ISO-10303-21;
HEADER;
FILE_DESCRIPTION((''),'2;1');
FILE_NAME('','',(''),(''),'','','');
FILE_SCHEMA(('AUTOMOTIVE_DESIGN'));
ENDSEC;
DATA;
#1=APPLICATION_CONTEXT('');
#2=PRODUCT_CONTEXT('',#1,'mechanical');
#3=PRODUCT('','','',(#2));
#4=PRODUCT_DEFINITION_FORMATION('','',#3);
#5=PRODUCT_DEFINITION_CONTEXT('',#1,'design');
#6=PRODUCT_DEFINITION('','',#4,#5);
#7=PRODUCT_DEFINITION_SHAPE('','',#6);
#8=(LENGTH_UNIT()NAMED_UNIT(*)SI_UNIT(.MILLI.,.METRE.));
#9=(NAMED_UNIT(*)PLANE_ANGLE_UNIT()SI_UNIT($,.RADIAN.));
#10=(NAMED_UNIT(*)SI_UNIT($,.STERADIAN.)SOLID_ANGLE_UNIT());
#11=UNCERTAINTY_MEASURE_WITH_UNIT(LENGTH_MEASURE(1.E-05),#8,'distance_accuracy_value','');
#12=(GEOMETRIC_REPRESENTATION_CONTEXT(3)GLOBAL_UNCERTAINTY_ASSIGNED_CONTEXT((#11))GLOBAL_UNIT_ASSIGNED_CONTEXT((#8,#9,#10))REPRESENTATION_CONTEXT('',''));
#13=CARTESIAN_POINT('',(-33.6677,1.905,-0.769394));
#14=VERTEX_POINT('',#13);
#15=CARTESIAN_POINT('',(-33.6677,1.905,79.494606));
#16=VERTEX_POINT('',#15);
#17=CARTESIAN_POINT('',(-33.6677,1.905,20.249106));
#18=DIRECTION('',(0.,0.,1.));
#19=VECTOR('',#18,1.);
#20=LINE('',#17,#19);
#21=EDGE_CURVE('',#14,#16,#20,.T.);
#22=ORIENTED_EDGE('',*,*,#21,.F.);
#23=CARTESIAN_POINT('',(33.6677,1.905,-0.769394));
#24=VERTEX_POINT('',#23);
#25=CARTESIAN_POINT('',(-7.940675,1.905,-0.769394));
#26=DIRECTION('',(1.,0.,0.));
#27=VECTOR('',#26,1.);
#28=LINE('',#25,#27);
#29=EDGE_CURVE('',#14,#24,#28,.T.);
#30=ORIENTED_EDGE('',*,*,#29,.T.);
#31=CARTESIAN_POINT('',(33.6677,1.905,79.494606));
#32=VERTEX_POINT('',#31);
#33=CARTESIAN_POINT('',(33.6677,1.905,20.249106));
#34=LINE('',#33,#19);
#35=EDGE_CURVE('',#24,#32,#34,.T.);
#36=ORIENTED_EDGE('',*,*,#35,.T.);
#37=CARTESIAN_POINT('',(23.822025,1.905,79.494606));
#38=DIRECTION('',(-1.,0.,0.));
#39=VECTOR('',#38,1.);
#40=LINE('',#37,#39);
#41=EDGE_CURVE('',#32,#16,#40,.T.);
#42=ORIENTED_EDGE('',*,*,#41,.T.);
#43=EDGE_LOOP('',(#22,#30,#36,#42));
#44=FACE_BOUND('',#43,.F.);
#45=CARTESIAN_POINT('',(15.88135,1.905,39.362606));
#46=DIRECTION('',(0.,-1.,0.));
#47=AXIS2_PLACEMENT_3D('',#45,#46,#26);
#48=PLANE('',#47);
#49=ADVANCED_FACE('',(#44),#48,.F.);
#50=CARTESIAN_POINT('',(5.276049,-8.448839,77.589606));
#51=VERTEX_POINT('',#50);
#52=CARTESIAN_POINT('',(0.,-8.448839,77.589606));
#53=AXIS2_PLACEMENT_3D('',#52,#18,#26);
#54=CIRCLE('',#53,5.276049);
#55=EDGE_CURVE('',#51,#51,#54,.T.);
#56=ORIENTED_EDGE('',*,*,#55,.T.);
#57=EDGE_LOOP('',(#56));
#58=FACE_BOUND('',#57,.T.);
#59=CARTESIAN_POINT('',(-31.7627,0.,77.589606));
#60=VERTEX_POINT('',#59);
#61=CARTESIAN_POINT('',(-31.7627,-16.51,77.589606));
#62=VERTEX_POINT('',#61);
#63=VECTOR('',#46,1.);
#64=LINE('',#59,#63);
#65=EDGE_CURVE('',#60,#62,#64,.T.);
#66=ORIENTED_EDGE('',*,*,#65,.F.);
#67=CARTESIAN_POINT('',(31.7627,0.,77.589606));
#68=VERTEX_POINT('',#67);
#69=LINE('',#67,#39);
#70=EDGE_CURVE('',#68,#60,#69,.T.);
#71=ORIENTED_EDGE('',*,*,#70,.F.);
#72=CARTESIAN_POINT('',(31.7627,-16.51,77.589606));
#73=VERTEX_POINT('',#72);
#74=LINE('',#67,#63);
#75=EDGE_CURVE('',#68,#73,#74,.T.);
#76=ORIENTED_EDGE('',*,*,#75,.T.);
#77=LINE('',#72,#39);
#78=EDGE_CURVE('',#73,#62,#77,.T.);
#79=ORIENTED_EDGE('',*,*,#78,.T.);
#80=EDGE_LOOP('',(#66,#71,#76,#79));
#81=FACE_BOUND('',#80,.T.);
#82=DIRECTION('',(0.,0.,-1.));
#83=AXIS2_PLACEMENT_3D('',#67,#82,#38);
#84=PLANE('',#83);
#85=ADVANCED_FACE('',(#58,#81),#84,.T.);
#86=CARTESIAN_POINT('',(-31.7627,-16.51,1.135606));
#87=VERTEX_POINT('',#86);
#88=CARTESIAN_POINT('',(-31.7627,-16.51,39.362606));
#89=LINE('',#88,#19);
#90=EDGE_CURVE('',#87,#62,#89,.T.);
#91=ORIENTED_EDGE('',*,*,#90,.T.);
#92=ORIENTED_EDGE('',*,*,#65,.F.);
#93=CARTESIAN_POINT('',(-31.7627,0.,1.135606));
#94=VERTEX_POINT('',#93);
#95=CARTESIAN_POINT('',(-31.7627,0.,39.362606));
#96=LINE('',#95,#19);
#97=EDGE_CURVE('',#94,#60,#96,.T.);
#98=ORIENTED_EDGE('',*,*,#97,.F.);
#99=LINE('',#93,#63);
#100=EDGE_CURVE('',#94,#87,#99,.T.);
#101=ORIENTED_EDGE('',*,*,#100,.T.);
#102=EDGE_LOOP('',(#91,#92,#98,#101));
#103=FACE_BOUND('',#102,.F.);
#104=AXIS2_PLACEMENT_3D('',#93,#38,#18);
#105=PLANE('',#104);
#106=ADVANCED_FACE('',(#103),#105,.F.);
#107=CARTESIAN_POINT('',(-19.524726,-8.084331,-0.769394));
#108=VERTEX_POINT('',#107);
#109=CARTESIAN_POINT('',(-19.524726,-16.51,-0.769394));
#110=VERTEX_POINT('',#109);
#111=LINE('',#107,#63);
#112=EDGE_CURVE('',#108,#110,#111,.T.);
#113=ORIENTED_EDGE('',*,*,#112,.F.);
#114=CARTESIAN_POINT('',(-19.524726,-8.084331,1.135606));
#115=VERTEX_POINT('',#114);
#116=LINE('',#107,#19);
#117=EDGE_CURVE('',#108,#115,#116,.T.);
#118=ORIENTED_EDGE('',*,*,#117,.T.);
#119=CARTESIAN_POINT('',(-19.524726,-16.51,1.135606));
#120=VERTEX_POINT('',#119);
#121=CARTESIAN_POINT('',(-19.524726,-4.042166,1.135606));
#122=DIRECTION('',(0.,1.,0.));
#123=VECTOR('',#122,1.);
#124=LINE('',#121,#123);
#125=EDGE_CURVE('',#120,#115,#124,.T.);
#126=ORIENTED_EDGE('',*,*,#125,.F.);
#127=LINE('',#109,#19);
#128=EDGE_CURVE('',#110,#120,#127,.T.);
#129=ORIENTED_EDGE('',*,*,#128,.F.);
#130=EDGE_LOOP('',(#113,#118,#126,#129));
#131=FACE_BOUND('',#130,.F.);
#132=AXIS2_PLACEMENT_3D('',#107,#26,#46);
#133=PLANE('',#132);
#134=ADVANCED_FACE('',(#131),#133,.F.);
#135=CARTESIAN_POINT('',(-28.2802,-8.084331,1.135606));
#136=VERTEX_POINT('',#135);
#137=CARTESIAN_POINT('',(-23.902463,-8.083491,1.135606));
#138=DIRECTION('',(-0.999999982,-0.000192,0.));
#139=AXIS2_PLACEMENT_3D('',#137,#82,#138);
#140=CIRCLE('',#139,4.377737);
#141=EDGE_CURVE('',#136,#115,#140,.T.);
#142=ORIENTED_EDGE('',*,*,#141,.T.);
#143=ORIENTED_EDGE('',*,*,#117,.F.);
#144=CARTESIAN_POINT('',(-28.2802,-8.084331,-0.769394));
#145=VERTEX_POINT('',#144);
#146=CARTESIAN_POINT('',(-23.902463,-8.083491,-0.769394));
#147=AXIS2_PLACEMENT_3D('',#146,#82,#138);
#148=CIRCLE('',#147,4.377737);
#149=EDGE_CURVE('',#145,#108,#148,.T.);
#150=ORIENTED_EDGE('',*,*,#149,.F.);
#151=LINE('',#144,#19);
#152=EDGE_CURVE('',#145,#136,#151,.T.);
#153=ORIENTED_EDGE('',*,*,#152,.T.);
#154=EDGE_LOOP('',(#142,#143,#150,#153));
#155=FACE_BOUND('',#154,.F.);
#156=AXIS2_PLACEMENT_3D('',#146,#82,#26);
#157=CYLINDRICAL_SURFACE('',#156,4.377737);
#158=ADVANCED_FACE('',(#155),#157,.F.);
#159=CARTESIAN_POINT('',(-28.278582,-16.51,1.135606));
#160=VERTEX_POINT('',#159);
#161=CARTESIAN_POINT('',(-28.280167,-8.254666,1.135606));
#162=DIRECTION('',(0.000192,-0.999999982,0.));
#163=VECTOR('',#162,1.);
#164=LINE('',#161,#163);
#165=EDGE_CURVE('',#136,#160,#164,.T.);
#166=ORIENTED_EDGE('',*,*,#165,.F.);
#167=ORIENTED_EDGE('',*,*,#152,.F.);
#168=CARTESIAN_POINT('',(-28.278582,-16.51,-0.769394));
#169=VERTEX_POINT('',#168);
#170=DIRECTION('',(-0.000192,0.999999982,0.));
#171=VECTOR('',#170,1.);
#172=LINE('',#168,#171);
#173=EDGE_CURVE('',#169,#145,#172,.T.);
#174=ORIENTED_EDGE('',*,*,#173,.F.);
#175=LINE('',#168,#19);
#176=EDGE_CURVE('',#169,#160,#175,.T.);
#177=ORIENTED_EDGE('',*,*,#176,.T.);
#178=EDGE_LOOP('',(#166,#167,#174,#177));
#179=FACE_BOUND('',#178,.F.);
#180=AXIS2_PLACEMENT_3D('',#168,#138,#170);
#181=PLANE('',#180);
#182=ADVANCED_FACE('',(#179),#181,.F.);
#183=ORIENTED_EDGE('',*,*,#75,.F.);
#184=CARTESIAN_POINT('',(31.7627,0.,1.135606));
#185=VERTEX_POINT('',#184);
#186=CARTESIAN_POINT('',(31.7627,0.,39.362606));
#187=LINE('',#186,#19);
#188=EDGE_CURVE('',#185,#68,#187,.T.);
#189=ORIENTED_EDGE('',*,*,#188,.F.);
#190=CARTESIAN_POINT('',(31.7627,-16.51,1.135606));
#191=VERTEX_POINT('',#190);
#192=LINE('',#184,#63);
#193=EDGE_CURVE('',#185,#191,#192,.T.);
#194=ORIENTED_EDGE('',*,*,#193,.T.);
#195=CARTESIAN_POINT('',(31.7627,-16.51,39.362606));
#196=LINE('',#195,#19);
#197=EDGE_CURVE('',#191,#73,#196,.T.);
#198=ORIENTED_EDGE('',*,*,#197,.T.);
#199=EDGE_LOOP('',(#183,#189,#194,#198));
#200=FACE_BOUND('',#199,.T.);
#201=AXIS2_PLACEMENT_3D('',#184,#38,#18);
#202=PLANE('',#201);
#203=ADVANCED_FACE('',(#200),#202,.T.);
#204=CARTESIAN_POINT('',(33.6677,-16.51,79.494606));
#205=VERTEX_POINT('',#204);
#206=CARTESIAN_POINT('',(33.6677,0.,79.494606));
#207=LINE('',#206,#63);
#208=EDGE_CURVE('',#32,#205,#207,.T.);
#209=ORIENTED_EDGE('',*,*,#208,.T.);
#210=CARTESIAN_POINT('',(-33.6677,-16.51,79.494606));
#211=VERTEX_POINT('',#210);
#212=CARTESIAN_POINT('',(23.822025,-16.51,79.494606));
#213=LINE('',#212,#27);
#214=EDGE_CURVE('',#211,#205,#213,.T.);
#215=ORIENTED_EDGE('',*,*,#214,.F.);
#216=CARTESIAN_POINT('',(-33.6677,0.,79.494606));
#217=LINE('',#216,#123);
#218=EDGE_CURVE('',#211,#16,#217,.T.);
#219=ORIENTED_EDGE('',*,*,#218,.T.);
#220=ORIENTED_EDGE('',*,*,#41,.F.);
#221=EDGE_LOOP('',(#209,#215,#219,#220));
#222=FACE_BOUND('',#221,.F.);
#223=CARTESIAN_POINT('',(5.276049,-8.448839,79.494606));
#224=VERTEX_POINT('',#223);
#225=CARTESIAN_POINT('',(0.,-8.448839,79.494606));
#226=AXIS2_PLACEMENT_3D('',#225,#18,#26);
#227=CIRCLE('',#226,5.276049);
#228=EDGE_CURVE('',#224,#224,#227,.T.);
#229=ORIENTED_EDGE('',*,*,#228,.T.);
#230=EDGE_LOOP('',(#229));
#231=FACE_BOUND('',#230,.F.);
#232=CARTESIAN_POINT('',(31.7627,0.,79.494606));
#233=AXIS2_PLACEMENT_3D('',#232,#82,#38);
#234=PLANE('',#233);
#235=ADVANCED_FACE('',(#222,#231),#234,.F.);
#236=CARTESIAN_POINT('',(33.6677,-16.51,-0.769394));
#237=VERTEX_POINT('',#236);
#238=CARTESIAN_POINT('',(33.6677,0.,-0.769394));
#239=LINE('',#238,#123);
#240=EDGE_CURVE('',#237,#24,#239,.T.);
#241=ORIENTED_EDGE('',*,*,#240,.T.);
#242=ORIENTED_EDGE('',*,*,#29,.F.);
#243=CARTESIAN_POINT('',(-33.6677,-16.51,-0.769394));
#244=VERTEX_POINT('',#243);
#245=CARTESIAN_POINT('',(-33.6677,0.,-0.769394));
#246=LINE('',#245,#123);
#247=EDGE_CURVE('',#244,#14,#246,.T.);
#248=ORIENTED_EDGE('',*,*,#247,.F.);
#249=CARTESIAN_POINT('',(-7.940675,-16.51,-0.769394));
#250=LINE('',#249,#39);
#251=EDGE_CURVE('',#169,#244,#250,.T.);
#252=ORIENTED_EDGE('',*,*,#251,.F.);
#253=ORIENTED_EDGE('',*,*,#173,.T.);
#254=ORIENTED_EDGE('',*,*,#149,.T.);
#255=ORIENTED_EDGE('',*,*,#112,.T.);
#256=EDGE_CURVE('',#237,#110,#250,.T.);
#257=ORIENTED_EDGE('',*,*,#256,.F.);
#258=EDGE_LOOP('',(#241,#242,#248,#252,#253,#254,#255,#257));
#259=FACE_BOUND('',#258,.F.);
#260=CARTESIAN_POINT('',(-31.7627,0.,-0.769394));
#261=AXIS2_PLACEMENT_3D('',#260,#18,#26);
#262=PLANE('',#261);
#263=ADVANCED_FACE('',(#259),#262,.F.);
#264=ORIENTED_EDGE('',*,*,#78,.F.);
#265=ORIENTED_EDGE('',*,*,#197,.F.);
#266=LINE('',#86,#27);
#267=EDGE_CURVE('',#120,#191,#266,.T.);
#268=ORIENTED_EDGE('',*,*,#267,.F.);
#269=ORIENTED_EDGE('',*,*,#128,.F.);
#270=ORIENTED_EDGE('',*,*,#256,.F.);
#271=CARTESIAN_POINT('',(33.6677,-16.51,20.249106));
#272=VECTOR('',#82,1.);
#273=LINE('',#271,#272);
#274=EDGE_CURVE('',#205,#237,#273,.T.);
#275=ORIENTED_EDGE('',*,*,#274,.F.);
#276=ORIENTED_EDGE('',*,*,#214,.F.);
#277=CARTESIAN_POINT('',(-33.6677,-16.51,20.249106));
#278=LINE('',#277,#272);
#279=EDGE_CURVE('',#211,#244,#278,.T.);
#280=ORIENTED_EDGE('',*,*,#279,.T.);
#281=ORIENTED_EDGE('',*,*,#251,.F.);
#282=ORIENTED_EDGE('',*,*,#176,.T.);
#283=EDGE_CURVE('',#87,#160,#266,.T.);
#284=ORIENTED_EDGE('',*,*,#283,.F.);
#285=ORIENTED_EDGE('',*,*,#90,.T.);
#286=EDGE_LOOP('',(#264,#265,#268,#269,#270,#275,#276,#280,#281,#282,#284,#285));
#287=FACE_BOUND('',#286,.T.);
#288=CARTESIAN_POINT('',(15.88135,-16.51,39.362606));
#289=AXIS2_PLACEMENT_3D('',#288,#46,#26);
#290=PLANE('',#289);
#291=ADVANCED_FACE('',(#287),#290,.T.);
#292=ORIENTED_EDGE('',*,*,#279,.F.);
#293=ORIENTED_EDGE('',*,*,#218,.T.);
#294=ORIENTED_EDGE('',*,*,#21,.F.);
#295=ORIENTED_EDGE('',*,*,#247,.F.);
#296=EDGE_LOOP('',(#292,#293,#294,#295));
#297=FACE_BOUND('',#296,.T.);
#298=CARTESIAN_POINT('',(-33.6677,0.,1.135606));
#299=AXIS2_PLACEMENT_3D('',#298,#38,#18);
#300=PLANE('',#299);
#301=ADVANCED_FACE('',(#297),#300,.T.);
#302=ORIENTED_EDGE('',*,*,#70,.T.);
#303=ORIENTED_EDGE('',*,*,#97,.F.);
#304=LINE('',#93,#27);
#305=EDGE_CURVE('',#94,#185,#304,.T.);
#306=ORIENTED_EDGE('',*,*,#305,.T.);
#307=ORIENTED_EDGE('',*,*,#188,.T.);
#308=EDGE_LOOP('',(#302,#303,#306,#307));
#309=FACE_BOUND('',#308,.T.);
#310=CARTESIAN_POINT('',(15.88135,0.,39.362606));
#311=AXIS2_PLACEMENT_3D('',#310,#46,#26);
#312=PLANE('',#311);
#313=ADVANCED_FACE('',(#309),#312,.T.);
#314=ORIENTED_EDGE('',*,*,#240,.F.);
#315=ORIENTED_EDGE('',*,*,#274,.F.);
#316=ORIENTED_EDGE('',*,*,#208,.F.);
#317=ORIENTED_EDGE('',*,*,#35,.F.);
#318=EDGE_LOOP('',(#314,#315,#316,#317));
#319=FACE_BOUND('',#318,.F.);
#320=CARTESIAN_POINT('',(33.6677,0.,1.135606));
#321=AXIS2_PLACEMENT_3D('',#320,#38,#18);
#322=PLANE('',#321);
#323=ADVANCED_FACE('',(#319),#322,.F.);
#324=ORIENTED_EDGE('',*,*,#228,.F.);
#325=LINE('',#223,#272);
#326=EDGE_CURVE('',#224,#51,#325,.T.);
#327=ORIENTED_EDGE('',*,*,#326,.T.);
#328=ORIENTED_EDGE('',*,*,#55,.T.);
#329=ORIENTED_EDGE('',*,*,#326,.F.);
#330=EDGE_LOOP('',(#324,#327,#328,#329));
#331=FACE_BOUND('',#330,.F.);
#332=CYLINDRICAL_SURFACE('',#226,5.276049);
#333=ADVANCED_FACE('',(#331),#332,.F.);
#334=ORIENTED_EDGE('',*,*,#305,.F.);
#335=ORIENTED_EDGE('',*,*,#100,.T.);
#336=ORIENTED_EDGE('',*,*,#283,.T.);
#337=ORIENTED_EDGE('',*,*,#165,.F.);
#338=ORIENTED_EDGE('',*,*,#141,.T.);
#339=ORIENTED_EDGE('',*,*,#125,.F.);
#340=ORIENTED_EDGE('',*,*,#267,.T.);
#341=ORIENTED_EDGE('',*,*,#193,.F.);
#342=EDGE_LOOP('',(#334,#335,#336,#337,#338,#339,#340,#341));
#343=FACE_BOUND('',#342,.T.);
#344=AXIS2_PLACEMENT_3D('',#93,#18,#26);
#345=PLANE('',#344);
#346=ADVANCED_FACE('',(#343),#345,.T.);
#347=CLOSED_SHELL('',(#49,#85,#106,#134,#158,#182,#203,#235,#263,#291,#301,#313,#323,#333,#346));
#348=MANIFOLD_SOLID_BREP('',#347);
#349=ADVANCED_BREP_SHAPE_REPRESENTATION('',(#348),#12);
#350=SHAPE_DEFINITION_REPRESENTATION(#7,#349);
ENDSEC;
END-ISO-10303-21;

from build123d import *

# Parameters (mm, degrees)
F0_W     = 31.7627
F0_H     = 76.454
F1_DEPTH = 16.51
F2_T     = 1.905
F3_R     = 5.2760492521
F4_DEPTH = 25.4
F5_R     = 4.3777369445
F6_DEPTH = 25.4
F9_DEPTH = 25.4


with BuildPart() as f1:
    # F0 (on Front) → F1 (new body)
    with BuildSketch(Plane.XZ):
        with Locations((15.88135, 8.247606141)):
            Rectangle(F0_W, F0_H)
        with Locations((-15.88135, 8.247606141)):
            Rectangle(F0_W, F0_H)
    extrude(amount=F1_DEPTH)

    # F2
    f2_openings = [f1.faces().sort_by_distance(p)[0] for p in [
        (0, -16.51, 8.247606),
    ]]
    offset(amount=F2_T, openings=f2_openings, kind=Kind.INTERSECTION)

    # F3 (on face) → F4 (cut)
    with BuildSketch(Plane.XY.offset(48.379606141)):
        with Locations((0, -8.4488391876)):
            Circle(F3_R)
    extrude(amount=-F4_DEPTH, mode=Mode.SUBTRACT)

    # F5 (on face) → F6 (cut)
    with BuildSketch(Plane(origin=(0, 0, -31.884393859), x_dir=(1, 0, 0), z_dir=(0, 0, -1))):
        with Locations((-23.9024627954, 8.0834906548)):
            Circle(F5_R)
    extrude(amount=-F6_DEPTH, mode=Mode.SUBTRACT)


with BuildPart() as f1_1:
    # F7: moved
    add(f1.part.moved(Location((0, 0, 31.115))))

    # F8 (on face) → F9 (cut)
    with BuildSketch(Plane(origin=(0, 0, -0.769393859), x_dir=(1, 0, 0), z_dir=(0, 0, -1))):
        Polygon((-28.2801996592, 8.0843311799), (-19.5247259315, 8.0843311799), (-19.5247259315, 16.51), (-28.2785819315, 16.51), align=None)
    extrude(amount=-F9_DEPTH, mode=Mode.SUBTRACT)


solid = f1_1.part
